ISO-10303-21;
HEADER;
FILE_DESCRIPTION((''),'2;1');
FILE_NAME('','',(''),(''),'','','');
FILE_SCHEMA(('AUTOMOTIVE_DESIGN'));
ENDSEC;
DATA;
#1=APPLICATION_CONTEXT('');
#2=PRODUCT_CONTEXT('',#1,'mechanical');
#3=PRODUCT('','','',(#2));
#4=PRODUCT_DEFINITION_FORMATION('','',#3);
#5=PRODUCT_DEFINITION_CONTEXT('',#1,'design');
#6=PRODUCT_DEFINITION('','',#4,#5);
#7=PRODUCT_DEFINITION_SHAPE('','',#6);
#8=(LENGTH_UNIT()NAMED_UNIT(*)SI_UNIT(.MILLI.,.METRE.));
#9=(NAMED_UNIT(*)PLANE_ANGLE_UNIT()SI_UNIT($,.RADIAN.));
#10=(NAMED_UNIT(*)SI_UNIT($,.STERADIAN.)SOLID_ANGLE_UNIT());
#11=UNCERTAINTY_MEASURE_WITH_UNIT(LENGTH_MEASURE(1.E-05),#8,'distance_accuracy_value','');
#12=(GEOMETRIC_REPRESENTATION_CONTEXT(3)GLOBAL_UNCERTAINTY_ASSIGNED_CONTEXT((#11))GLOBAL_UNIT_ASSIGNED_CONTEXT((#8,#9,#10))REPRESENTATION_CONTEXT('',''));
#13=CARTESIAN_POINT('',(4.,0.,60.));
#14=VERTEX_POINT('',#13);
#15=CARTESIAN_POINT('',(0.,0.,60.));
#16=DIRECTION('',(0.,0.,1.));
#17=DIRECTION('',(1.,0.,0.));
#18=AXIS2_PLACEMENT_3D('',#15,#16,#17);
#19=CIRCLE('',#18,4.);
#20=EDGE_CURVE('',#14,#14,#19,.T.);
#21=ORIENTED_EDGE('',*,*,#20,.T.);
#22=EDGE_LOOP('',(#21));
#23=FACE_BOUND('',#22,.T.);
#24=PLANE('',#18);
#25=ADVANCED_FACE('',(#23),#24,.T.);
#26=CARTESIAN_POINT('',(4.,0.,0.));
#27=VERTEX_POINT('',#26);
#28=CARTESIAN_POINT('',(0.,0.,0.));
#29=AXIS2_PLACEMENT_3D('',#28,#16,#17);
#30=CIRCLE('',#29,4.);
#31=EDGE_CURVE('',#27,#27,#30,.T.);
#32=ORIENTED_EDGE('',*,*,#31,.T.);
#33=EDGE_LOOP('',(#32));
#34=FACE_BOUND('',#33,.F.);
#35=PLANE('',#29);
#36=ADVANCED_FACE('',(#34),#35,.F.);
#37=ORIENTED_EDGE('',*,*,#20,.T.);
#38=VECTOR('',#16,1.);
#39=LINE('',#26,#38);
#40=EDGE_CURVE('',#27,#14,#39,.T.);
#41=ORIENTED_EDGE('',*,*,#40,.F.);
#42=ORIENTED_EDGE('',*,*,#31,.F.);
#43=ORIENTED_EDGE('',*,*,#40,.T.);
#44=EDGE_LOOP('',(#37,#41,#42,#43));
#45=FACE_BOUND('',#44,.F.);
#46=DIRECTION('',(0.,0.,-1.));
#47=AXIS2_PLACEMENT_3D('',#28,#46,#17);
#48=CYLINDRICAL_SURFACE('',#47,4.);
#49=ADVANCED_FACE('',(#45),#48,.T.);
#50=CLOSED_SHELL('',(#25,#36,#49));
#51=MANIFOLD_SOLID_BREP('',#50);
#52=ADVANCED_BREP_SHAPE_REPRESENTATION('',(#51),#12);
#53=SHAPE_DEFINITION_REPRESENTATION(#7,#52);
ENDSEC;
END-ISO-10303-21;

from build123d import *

# Parameters (mm, degrees)
CROQUIS1_R              = 4
SALIENTE_EXTRUIR1_DEPTH = 60


with BuildPart() as part:
    # Croquis1 → Saliente-Extruir1 (new body)
    with BuildSketch(Plane.XY):
        Circle(CROQUIS1_R)
    extrude(amount=SALIENTE_EXTRUIR1_DEPTH)


solid = part.part
